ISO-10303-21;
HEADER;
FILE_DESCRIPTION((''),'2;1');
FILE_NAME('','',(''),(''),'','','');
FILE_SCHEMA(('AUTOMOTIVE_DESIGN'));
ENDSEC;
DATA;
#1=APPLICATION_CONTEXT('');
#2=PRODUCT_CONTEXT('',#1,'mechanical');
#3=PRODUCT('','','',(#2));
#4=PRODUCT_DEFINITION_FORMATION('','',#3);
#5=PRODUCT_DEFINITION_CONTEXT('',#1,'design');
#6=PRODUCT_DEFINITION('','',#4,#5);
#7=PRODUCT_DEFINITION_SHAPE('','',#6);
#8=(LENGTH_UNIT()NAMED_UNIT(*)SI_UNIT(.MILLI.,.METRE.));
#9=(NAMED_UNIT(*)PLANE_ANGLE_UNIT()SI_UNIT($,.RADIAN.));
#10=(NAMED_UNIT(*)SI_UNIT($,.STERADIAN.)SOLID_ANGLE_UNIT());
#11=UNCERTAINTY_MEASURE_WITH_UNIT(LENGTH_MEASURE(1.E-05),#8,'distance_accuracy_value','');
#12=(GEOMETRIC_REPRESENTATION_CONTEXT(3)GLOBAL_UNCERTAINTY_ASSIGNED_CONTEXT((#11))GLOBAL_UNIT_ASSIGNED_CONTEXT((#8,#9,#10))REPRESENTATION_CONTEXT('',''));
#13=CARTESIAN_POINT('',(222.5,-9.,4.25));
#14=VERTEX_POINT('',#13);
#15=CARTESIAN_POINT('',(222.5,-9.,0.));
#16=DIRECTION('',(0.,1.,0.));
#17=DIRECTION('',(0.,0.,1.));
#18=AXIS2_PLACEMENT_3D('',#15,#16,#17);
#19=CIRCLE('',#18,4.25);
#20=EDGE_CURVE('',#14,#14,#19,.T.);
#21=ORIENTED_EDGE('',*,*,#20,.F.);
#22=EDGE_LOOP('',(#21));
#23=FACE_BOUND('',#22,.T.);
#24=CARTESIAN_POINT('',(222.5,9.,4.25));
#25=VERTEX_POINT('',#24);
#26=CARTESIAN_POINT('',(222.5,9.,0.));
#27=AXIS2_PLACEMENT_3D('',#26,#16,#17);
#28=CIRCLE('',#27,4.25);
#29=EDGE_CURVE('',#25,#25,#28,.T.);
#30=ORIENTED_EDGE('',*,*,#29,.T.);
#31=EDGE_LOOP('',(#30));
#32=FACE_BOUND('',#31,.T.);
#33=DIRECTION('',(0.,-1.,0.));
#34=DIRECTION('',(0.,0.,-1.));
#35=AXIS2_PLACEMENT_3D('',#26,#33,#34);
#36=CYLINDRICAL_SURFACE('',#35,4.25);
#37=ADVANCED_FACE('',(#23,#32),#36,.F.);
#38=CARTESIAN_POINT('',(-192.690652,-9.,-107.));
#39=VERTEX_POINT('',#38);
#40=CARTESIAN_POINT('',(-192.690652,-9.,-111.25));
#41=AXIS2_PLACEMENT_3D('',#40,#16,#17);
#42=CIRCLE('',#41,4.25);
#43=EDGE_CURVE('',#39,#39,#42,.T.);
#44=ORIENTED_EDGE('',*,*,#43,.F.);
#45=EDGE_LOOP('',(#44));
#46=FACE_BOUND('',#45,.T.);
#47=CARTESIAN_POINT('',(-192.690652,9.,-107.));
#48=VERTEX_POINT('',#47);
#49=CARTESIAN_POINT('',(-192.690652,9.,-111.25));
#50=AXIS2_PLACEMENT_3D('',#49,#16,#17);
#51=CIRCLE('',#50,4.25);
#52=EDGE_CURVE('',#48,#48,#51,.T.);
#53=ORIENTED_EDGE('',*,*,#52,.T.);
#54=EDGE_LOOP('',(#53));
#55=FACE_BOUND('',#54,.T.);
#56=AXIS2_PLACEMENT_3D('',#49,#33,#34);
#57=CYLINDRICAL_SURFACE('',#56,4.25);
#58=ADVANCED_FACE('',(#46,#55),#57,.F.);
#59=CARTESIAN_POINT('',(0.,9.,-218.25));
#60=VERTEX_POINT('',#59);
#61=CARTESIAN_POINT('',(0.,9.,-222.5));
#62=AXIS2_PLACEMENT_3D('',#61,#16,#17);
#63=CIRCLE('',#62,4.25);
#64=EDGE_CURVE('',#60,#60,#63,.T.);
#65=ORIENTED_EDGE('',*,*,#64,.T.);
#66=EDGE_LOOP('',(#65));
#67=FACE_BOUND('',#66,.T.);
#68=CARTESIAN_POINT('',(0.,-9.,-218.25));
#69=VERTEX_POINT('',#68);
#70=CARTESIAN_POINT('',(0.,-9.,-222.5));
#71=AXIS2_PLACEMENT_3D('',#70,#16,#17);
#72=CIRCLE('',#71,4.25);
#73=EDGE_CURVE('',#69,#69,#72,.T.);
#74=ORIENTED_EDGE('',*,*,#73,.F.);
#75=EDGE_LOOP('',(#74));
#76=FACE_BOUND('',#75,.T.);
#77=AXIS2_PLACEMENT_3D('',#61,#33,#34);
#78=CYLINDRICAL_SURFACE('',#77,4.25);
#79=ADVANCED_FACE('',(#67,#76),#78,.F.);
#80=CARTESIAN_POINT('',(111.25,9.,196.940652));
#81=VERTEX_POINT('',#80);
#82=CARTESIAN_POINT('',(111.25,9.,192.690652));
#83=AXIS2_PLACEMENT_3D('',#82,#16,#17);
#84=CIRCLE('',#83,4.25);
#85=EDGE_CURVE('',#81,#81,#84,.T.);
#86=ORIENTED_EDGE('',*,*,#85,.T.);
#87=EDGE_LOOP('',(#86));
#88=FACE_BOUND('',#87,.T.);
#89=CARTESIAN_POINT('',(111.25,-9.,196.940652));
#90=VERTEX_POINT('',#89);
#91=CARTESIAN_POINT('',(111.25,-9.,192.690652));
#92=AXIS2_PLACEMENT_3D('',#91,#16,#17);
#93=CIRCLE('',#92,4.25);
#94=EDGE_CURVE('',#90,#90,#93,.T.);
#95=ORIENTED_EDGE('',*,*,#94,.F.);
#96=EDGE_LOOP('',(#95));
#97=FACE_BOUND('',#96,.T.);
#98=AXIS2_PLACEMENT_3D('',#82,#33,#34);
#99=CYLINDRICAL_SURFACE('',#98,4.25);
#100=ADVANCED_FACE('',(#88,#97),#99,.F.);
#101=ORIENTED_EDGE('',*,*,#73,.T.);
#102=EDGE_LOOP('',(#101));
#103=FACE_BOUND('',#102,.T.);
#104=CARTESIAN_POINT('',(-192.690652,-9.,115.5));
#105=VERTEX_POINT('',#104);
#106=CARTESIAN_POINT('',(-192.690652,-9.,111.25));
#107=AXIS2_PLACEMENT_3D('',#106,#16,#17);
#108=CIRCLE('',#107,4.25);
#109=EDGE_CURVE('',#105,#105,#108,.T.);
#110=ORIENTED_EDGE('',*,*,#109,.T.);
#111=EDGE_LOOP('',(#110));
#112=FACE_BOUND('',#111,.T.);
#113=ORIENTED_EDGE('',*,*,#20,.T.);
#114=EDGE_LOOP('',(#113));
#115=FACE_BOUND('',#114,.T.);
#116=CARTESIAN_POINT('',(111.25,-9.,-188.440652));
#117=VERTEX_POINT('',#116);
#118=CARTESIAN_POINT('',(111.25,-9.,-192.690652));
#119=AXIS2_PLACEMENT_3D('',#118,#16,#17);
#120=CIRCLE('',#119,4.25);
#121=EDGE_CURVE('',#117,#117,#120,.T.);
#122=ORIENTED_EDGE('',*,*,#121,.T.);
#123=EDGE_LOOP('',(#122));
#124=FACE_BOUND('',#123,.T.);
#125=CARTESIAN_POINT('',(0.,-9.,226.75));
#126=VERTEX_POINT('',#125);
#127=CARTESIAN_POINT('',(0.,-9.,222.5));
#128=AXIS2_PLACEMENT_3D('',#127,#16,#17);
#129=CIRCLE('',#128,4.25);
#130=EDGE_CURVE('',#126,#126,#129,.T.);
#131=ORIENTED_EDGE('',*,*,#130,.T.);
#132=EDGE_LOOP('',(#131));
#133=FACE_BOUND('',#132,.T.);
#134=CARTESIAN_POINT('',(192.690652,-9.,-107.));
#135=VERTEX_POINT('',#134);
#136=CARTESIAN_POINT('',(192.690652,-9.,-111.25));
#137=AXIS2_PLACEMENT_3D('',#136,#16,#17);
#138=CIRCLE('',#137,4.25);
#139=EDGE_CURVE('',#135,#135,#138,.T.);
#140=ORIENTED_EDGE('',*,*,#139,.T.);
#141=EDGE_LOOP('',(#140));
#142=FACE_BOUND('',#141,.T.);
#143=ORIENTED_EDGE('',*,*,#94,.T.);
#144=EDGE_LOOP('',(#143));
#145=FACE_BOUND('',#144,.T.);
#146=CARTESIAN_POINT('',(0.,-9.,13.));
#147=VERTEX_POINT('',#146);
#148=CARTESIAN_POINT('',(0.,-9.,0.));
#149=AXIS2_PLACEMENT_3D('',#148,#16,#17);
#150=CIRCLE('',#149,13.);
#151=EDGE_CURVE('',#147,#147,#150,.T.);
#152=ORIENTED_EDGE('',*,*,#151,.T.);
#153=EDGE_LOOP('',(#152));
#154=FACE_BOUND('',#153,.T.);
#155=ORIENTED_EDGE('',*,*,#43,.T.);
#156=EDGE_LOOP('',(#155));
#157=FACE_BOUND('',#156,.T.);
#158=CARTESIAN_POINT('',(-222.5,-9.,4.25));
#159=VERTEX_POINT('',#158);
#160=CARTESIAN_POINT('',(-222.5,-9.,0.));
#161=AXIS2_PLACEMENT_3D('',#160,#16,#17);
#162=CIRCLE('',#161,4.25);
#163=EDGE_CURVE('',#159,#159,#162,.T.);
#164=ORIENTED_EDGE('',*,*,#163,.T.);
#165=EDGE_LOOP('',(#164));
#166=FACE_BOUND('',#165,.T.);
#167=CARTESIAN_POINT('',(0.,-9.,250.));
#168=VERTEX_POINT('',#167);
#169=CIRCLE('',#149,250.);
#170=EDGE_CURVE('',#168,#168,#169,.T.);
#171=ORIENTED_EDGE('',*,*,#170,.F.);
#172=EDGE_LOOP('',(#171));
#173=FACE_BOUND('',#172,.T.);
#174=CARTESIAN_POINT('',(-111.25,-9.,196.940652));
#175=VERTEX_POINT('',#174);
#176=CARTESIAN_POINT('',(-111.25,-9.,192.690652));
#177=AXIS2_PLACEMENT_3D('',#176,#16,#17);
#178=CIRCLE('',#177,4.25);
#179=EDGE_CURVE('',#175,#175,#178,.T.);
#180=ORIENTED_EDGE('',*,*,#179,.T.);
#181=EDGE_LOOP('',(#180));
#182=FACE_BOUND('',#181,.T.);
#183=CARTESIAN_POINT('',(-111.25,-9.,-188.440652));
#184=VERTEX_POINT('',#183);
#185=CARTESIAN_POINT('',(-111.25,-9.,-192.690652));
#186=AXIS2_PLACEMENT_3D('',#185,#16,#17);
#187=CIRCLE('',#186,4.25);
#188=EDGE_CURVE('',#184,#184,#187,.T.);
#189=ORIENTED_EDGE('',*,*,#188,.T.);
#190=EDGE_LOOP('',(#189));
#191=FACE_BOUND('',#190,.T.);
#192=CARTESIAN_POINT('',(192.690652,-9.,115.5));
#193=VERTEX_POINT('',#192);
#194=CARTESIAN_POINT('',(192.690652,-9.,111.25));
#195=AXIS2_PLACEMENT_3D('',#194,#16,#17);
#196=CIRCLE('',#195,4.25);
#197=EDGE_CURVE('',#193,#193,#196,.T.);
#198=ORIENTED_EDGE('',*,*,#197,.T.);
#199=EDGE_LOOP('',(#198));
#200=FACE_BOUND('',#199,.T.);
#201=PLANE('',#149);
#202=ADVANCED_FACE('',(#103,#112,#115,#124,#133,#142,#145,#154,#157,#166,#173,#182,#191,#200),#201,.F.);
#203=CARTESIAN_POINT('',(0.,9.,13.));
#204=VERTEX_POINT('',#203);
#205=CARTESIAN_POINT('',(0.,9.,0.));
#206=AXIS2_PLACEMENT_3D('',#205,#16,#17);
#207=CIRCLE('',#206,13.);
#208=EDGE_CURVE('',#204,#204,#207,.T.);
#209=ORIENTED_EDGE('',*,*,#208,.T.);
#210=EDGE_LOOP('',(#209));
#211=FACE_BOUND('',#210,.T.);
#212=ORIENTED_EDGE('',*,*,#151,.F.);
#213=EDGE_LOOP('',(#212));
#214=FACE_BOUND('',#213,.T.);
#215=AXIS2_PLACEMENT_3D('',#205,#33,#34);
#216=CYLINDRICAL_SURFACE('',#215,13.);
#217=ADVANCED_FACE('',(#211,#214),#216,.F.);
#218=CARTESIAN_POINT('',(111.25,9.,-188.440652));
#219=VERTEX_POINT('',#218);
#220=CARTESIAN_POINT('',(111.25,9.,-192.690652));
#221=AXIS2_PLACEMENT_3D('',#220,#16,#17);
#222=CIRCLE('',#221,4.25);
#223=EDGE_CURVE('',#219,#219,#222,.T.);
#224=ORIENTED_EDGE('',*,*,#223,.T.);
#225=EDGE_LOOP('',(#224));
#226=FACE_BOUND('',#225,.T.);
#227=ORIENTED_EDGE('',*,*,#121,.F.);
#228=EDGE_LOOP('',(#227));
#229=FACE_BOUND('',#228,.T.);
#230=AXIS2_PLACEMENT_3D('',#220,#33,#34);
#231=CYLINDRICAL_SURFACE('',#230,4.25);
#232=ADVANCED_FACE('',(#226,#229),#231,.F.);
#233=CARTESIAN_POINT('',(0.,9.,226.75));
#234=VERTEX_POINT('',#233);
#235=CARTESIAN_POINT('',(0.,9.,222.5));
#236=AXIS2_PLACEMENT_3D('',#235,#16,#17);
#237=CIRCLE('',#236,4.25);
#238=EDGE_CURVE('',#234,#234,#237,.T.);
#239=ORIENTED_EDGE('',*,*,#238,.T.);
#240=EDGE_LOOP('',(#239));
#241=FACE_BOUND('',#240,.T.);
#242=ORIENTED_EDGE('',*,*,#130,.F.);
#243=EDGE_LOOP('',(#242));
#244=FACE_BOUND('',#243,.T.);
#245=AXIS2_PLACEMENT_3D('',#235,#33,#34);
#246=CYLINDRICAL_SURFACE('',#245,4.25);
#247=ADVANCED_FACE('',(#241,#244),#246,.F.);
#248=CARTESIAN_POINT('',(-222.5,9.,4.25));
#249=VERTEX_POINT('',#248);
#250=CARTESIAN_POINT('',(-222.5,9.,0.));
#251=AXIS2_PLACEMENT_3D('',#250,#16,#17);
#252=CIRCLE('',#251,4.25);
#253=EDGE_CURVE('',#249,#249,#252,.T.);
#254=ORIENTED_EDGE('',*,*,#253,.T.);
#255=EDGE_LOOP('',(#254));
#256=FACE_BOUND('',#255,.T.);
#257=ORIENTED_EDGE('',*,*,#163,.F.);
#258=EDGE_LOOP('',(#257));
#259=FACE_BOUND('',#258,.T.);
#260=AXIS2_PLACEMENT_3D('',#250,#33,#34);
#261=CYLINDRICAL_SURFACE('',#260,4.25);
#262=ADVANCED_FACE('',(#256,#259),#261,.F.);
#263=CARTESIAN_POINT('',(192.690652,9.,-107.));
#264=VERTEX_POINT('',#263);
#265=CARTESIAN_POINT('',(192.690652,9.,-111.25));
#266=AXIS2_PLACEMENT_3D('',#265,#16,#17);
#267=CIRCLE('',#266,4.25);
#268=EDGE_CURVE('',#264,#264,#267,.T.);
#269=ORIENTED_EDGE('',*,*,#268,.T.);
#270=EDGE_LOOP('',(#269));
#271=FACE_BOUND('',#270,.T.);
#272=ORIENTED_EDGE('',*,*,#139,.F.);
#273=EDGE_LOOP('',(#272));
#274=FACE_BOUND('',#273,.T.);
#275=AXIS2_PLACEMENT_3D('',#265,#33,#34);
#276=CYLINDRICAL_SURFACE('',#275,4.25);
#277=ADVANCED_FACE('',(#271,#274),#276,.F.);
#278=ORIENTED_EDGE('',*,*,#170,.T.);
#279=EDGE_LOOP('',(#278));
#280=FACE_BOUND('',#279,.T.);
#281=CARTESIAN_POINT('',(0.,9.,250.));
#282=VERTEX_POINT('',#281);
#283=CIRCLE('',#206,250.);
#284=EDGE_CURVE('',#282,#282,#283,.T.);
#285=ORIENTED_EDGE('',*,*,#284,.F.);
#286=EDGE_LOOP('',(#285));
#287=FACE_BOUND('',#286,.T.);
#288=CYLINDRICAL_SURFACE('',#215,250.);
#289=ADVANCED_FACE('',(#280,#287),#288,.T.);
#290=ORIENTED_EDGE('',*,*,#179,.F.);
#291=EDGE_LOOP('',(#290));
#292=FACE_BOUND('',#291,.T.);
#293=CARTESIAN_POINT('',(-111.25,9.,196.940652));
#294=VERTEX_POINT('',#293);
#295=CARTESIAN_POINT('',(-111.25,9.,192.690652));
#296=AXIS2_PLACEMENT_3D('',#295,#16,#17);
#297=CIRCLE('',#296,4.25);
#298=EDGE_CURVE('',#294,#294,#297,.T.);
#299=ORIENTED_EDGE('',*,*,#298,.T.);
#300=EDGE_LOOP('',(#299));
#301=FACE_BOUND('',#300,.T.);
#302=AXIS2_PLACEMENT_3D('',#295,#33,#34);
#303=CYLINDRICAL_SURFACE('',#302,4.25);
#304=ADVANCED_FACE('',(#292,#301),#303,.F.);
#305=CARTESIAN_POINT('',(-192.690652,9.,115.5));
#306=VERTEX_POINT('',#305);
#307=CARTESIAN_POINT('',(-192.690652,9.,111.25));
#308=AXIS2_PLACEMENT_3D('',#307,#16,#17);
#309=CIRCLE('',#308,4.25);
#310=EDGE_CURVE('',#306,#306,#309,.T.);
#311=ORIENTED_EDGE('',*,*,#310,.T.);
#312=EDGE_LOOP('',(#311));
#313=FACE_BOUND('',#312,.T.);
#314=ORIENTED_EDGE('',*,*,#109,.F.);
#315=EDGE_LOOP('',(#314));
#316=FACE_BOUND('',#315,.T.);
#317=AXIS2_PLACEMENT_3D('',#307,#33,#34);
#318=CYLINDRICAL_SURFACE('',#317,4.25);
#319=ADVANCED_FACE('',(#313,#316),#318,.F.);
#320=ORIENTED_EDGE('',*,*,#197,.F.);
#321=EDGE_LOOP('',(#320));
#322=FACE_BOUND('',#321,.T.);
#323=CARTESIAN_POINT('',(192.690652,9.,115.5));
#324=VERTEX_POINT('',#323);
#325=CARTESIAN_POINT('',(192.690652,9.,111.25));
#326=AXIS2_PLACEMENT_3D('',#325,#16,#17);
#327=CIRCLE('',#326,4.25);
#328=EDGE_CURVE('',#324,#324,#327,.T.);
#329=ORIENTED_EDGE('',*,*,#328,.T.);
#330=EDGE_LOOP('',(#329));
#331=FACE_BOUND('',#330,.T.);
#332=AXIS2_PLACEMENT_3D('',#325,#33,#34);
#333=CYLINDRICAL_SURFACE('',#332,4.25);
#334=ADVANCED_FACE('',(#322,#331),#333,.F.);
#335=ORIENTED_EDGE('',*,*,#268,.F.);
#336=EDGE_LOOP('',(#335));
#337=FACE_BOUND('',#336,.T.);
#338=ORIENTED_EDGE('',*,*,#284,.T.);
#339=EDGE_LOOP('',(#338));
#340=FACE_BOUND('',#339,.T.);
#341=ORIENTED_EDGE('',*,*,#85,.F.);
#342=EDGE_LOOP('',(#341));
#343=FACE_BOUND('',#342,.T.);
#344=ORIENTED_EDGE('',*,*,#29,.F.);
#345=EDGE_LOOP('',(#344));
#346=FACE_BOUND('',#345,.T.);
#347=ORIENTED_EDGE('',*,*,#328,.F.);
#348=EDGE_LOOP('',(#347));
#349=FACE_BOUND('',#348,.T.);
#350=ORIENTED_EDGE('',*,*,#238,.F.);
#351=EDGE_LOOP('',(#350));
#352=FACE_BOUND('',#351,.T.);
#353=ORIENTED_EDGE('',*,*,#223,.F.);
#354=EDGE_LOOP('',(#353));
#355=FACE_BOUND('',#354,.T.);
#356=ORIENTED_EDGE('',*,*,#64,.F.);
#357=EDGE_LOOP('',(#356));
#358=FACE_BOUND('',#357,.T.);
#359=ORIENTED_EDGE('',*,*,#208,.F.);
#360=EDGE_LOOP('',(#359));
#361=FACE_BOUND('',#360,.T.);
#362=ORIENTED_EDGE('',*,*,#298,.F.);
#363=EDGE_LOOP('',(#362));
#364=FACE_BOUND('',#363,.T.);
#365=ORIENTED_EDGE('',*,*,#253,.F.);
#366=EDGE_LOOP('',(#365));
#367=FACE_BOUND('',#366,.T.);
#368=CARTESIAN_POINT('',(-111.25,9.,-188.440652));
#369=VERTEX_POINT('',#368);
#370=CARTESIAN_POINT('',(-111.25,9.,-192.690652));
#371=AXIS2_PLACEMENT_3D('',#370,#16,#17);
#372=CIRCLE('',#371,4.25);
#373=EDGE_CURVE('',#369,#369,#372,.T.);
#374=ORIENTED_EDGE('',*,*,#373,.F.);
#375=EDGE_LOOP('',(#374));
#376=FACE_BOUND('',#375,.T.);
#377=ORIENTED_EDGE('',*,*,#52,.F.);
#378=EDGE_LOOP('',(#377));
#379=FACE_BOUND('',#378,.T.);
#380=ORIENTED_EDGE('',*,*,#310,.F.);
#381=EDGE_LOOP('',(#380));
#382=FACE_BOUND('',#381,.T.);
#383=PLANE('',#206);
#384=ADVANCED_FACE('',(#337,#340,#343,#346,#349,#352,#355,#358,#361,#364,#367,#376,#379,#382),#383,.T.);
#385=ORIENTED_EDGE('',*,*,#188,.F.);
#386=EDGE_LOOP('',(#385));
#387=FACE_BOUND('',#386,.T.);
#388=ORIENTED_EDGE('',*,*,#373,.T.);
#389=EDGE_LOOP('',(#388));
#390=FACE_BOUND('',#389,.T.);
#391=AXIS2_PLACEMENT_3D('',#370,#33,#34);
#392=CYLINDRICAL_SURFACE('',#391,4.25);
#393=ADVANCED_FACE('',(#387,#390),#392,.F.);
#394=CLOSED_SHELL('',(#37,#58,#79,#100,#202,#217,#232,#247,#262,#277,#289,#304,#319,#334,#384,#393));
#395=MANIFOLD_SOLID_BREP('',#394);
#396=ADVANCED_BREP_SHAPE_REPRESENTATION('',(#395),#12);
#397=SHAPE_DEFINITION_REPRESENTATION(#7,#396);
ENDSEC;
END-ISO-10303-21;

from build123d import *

# Parameters (mm, degrees)
SKETCH1_R           = 250
SKETCH1_R_2         = 4.25
SKETCH1_R_3         = 13
BOSS_EXTRUDE1_DEPTH = 9


with BuildPart() as part:
    # Sketch1 → Boss-Extrude1 (new, symmetric)
    with BuildSketch(Plane(origin=(0, 0, 0), x_dir=(1, 0, 0), z_dir=(0, 1, 0))):
        with Locations(Location((0, 0, 0), (0, 0, 270))):
            Circle(SKETCH1_R)
        with Locations(Location((0, 222.5, 0), (0, 0, 270))):
            Circle(SKETCH1_R_2, mode=Mode.SUBTRACT)
        with Locations(Location((111.25, 192.690652342, 0), (0, 0, 270))):
            Circle(SKETCH1_R_2, mode=Mode.SUBTRACT)
        with Locations(Location((192.690652342, 111.25, 0), (0, 0, 270))):
            Circle(SKETCH1_R_2, mode=Mode.SUBTRACT)
        with Locations(Location((222.5, 0, 0), (0, 0, 270))):
            Circle(SKETCH1_R_2, mode=Mode.SUBTRACT)
        with Locations(Location((192.690652342, -111.25, 0), (0, 0, 270))):
            Circle(SKETCH1_R_2, mode=Mode.SUBTRACT)
        with Locations(Location((111.25, -192.690652342, 0), (0, 0, 270))):
            Circle(SKETCH1_R_2, mode=Mode.SUBTRACT)
        with Locations(Location((0, 0, 0), (0, 0, 270))):
            Circle(SKETCH1_R_3, mode=Mode.SUBTRACT)
        with Locations(Location((0, -222.5, 0), (0, 0, 270))):
            Circle(SKETCH1_R_2, mode=Mode.SUBTRACT)
        with Locations(Location((-111.25, -192.690652342, 0), (0, 0, 270))):
            Circle(SKETCH1_R_2, mode=Mode.SUBTRACT)
        with Locations(Location((-192.690652342, -111.25, 0), (0, 0, 270))):
            Circle(SKETCH1_R_2, mode=Mode.SUBTRACT)
        with Locations(Location((-222.5, 0, 0), (0, 0, 270))):
            Circle(SKETCH1_R_2, mode=Mode.SUBTRACT)
        with Locations(Location((-192.690652342, 111.25, 0), (0, 0, 270))):
            Circle(SKETCH1_R_2, mode=Mode.SUBTRACT)
        with Locations(Location((-111.25, 192.690652342, 0), (0, 0, 270))):
            Circle(SKETCH1_R_2, mode=Mode.SUBTRACT)
    extrude(amount=BOSS_EXTRUDE1_DEPTH, both=True)


solid = part.part
